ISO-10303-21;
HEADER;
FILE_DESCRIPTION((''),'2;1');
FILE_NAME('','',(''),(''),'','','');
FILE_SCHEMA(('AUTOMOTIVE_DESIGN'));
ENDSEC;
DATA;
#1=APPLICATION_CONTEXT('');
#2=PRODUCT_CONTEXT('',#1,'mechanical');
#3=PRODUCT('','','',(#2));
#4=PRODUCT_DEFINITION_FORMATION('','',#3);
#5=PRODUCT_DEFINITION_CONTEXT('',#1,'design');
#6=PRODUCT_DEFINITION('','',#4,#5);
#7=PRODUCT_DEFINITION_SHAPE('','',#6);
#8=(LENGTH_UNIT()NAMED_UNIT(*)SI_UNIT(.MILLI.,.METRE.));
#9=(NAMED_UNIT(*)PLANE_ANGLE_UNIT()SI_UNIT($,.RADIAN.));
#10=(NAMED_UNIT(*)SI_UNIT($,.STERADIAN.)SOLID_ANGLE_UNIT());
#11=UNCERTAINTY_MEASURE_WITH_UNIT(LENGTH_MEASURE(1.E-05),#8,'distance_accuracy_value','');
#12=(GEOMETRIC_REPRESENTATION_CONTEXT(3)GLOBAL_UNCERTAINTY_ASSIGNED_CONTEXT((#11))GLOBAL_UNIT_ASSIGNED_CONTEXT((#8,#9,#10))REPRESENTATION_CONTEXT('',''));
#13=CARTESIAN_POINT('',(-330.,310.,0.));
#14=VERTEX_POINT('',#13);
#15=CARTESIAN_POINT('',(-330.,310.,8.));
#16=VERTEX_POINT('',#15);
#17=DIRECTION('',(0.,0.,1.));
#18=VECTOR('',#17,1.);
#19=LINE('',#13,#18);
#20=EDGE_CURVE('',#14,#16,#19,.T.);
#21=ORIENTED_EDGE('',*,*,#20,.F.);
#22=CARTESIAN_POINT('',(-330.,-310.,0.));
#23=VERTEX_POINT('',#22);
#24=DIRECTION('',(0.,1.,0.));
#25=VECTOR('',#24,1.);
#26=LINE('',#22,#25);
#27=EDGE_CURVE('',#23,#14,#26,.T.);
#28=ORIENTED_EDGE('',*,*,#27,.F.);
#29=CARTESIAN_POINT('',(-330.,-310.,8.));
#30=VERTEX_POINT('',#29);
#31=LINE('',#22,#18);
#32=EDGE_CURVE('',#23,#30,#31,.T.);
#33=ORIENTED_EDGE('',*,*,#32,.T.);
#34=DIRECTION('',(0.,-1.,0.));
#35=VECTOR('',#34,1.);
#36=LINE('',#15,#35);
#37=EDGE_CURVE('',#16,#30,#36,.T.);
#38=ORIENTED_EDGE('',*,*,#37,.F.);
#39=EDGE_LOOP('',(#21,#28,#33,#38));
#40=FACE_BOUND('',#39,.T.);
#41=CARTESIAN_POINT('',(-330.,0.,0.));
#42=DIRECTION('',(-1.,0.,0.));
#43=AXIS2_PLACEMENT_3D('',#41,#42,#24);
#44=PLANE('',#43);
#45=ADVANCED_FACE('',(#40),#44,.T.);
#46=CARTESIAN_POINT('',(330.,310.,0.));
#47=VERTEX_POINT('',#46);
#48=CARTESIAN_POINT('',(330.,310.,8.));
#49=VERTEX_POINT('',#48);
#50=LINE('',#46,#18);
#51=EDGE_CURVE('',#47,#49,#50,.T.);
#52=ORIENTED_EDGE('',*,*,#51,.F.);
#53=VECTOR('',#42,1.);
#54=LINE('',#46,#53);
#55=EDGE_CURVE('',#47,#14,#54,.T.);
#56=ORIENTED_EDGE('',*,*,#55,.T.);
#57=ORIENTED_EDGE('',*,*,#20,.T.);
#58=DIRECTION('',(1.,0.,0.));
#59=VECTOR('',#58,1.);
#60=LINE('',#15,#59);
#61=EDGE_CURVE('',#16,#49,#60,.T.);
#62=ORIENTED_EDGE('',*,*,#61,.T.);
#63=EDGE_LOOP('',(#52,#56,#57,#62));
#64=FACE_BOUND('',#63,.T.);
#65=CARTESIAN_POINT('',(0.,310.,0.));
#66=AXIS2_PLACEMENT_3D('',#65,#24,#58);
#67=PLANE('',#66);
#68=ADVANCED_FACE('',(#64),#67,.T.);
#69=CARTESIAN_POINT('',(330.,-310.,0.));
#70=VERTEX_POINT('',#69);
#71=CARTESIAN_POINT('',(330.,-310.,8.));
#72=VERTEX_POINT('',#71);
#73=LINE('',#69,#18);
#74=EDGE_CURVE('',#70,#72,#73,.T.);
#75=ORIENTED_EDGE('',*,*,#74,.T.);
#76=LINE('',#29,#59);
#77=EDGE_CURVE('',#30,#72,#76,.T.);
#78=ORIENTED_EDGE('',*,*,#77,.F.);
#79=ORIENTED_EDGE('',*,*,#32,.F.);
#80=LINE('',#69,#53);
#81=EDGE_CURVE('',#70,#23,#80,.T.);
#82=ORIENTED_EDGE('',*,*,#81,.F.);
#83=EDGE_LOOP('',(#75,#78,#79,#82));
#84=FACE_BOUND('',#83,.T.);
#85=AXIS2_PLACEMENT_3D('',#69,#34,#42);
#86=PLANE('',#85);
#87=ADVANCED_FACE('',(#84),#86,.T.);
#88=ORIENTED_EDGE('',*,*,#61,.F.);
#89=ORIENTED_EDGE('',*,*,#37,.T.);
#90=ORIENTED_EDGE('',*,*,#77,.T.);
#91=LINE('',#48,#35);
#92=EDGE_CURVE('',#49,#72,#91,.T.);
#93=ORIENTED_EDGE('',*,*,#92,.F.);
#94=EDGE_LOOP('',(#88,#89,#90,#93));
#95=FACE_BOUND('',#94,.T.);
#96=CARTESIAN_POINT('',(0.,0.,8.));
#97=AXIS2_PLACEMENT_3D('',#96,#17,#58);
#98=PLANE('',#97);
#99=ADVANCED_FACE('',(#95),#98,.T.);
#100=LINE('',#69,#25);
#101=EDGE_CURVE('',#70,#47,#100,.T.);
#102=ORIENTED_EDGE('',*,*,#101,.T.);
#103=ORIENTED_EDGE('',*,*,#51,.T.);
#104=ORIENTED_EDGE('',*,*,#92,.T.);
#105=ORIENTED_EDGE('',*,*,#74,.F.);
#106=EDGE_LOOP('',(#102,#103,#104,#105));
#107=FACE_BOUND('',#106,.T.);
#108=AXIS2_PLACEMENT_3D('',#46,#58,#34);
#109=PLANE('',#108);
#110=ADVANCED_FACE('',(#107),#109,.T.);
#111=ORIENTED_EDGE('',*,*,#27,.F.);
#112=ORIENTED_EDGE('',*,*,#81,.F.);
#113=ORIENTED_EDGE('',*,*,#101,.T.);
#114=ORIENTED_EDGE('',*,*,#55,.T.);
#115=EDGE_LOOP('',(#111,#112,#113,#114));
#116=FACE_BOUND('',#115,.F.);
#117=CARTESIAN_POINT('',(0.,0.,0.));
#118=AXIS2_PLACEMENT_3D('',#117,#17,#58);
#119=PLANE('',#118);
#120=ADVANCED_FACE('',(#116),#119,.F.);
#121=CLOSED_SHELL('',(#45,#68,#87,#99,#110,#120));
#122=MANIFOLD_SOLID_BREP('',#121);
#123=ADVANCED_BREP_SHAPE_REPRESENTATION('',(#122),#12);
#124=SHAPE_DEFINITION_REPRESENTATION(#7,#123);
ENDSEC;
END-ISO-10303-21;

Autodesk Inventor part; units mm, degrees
ref_plane "YZ Plane" through (0, 0, 0) normal (1, 0, 0) x (0, 1, 0)
ref_plane "XZ Plane" through (0, 0, 0) normal (0, 1, 0) x (-1, 0, 0)
ref_plane "XY Plane" through (0, 0, 0) normal (0, 0, 1) x (1, 0, 0)
sketch "Skizze1" plane through (0, 0, 0) normal (0, 0, 1) x (1, 0, 0)
  line L0 (0, 434) -> (0, -434) projected
  line L1 (-462, 0) -> (462, 0) projected
  line L2 (330, -310) -> (-330, -310)
  line L3 (-330, -310) -> (-330, 310)
  line L4 (-330, 310) -> (330, 310)
  line L5 (330, 310) -> (330, -310)
  point P0 (0, 0)
  point P1 (0, -310)
  point P2 (-330, 0)
  dimension "d0" = 660
  dimension "d1" = 620
extrude "Extrusion1" add sketch "Skizze1" along normal blind 8
properties part number "PVC_Bodenplatte_schwarz" material "PVC-U"
